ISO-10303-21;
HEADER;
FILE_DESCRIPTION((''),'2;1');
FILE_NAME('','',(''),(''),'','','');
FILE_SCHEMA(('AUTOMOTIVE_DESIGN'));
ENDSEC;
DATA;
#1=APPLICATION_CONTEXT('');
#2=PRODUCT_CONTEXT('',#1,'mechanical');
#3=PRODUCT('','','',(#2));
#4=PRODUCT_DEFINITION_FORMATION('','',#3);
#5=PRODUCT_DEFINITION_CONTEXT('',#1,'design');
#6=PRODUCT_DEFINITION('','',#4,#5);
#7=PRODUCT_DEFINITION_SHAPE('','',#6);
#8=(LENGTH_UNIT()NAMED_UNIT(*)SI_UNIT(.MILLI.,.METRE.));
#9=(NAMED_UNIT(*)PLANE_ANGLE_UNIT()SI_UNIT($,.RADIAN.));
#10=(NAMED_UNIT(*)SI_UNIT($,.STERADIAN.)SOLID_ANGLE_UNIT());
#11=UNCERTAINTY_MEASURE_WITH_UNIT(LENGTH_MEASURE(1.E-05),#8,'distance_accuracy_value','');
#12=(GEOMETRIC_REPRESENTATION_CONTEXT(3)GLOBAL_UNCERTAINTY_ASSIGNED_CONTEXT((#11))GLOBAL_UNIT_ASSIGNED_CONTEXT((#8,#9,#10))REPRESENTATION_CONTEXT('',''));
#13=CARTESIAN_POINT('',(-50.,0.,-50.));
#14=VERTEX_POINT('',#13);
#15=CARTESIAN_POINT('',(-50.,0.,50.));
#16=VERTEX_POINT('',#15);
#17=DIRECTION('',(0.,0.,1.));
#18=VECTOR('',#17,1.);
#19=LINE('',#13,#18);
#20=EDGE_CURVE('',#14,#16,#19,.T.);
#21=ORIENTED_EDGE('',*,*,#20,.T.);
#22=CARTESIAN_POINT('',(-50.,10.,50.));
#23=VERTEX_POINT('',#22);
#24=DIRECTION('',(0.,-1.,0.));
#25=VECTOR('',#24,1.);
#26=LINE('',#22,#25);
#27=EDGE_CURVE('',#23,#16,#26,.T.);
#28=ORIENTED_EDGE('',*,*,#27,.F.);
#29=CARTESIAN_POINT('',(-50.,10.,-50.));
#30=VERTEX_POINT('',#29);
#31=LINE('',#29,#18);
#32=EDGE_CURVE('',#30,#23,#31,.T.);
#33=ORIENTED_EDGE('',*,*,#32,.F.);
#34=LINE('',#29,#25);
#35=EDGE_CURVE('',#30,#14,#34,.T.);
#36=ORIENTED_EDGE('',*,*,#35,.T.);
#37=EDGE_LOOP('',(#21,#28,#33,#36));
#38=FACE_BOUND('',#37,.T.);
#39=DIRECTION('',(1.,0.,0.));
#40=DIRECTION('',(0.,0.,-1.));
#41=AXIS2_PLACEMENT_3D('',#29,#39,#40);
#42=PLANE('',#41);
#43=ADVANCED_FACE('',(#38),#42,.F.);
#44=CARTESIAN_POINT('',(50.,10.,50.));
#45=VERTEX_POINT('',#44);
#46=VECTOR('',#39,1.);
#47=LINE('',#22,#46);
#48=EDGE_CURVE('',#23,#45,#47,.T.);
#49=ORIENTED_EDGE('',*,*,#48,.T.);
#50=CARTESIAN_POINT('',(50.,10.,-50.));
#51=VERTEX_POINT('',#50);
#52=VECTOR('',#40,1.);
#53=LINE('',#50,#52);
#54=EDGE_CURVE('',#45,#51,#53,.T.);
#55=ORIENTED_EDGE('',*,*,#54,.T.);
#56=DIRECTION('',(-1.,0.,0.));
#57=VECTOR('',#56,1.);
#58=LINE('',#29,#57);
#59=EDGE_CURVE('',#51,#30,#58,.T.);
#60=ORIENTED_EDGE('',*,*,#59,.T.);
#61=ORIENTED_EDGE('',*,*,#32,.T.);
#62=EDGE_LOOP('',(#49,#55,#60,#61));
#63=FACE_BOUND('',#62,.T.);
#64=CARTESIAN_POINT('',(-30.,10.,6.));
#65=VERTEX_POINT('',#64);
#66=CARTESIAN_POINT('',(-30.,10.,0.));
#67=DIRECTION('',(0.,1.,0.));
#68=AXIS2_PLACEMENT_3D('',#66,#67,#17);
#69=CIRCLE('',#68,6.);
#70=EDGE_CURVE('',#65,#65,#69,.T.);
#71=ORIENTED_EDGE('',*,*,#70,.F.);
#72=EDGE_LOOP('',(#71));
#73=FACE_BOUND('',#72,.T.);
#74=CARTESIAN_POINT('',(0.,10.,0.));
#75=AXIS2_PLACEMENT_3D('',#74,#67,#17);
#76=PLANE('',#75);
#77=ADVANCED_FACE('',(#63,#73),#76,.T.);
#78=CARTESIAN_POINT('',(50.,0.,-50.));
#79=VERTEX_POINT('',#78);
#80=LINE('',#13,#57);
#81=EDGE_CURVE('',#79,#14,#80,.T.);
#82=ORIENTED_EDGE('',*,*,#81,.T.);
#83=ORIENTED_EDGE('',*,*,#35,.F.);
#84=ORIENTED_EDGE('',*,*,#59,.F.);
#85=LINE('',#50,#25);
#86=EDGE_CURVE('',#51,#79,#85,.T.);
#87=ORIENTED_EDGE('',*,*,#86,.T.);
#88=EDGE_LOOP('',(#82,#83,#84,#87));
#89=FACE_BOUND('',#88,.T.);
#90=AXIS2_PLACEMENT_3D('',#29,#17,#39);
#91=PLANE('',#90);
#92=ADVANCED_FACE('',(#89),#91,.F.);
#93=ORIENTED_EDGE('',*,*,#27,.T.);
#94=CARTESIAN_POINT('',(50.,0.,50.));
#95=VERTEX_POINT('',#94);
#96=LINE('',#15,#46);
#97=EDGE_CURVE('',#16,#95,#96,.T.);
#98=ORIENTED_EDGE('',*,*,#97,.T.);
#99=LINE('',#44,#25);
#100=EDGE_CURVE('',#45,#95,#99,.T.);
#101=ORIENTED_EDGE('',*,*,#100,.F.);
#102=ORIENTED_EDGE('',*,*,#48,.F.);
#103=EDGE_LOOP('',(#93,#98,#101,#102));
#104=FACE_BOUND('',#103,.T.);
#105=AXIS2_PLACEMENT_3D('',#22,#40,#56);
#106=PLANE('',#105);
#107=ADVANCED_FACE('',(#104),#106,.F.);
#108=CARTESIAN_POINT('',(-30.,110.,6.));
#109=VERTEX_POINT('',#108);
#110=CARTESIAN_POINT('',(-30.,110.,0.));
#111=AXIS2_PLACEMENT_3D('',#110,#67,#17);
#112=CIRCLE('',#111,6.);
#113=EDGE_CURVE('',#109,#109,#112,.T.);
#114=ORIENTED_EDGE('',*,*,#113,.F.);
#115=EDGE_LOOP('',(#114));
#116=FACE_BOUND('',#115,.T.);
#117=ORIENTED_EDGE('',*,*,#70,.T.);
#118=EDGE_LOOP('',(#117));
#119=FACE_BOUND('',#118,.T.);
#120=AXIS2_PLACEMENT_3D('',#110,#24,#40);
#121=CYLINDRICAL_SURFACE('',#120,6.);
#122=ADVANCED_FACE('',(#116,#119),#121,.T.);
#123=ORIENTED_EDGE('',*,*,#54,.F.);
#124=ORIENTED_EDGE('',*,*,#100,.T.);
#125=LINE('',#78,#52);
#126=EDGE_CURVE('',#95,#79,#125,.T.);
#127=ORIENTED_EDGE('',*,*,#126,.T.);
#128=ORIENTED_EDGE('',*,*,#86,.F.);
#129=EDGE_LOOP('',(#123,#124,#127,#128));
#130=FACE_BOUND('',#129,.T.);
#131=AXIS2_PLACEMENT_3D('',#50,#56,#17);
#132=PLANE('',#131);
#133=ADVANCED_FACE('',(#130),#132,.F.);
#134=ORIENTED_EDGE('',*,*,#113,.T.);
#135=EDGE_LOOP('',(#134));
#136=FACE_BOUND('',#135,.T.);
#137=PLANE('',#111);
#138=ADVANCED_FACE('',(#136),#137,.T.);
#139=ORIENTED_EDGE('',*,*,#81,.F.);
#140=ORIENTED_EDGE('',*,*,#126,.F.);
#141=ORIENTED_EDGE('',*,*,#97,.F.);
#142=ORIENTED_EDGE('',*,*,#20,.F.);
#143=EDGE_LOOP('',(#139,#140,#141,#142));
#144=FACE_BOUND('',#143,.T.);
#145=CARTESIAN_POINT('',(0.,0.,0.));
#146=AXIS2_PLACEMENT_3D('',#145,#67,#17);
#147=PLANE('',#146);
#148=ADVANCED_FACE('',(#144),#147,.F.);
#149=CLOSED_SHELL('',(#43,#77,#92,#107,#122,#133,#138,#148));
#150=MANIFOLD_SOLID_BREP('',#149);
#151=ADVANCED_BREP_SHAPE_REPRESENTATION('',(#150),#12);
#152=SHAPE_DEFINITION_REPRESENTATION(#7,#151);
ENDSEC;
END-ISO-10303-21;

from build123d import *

# Parameters (mm, degrees)
SKETCH1_W           = 100
SKETCH1_H           = 100
BOSS_EXTRUDE1_DEPTH = 10
SKETCH2_R           = 6
BOSS_EXTRUDE2_DEPTH = 100


with BuildPart() as part:
    # Sketch1 → Boss-Extrude1 (new body)
    with BuildSketch(Plane(origin=(0, 0, 0), x_dir=(1, 0, 0), z_dir=(0, 1, 0))):
        Rectangle(SKETCH1_W, SKETCH1_H)
    extrude(amount=BOSS_EXTRUDE1_DEPTH)

    # Sketch2 → Boss-Extrude2 (add)
    with BuildSketch(Plane(origin=(0, 10, 0), x_dir=(1, 0, 0), z_dir=(0, 1, 0))):
        with Locations(Location((-30, 0, 0), (0, 0, 270))):
            Circle(SKETCH2_R)
    extrude(amount=BOSS_EXTRUDE2_DEPTH)


solid = part.part
